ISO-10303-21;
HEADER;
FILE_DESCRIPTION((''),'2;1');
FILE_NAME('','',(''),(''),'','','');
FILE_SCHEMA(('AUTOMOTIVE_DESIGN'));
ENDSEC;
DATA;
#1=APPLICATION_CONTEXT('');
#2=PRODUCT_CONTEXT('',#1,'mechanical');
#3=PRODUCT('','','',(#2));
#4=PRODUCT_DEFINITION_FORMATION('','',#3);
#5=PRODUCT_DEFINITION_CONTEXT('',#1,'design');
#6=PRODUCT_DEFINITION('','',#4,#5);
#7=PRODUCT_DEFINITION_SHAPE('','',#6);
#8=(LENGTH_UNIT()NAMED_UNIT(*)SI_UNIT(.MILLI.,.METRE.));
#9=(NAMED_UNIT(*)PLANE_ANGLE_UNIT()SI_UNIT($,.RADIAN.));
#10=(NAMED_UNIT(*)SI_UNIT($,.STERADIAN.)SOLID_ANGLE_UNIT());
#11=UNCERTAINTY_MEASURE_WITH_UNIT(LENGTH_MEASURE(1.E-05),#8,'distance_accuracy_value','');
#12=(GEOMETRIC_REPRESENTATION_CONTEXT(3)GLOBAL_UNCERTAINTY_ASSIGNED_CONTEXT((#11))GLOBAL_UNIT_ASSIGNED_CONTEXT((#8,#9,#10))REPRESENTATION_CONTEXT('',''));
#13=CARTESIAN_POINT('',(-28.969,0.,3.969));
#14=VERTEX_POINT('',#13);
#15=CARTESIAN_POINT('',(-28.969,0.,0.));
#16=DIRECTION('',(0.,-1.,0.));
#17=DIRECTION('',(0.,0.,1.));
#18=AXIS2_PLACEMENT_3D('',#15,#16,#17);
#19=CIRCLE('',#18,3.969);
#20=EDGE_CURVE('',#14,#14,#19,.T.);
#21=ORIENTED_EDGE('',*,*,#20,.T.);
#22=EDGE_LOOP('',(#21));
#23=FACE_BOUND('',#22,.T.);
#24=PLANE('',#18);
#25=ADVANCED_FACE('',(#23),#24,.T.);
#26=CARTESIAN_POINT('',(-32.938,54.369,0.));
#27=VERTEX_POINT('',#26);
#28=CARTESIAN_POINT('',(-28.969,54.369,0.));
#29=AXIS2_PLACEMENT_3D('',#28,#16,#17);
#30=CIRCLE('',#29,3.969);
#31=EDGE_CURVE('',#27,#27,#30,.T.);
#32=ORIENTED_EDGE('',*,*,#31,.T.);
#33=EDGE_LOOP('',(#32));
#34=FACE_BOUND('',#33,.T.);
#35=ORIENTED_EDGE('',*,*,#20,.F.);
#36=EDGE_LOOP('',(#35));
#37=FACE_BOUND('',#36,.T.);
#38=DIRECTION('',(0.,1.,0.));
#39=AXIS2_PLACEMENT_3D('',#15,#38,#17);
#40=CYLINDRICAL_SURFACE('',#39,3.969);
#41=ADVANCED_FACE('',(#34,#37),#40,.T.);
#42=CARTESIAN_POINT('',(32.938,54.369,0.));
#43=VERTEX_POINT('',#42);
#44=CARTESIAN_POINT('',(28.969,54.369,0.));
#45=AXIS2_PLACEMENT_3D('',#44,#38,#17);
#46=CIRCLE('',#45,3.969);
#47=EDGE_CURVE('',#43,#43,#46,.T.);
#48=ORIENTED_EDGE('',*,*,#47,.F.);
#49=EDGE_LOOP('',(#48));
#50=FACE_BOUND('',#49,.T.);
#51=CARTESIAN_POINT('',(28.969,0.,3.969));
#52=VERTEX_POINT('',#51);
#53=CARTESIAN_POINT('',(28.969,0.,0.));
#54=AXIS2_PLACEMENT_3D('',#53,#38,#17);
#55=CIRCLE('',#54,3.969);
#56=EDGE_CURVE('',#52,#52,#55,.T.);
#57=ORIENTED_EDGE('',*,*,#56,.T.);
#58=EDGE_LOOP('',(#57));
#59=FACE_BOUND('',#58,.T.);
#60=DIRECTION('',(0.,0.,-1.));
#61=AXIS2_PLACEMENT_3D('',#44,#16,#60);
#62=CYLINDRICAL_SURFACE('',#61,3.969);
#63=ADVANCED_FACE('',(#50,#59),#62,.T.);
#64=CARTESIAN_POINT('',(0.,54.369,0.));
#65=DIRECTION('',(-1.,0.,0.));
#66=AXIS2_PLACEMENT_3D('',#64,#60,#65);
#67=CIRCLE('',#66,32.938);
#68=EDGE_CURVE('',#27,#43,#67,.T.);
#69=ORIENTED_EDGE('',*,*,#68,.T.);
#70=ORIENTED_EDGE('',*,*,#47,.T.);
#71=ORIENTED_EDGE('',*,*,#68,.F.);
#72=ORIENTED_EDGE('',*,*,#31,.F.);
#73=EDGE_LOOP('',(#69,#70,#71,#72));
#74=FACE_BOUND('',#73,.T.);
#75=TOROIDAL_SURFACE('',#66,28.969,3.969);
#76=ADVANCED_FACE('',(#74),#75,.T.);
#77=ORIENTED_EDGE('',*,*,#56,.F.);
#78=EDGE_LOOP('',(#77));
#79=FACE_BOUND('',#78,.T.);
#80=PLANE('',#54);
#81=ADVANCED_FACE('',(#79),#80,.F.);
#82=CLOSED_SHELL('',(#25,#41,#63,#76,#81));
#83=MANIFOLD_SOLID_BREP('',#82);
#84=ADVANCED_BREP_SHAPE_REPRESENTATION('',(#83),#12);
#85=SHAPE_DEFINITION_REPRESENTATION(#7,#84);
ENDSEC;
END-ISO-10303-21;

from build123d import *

# Parameters (mm, degrees)
CROQUIS1_R = 3.969


with BuildPart() as part:
    # Barrer1: sweep along a path in Croquis2
    with BuildLine(Plane.XY) as barrer1_path:
        Line((-28.969, 0), (-28.969, 54.369))
        ThreePointArc((-28.969, 54.369), (0, 83.338), (28.969, 54.369))
        Line((28.969, 54.369), (28.969, 0))
    # Croquis1 → Barrer1 (sweep)
    with BuildSketch(Plane(origin=(0, 0, 0), x_dir=(1, 0, 0), z_dir=(0, 1, 0))):
        with Locations((28.969, 0)):
            Circle(CROQUIS1_R)
    sweep(path=barrer1_path.line)


solid = part.part
